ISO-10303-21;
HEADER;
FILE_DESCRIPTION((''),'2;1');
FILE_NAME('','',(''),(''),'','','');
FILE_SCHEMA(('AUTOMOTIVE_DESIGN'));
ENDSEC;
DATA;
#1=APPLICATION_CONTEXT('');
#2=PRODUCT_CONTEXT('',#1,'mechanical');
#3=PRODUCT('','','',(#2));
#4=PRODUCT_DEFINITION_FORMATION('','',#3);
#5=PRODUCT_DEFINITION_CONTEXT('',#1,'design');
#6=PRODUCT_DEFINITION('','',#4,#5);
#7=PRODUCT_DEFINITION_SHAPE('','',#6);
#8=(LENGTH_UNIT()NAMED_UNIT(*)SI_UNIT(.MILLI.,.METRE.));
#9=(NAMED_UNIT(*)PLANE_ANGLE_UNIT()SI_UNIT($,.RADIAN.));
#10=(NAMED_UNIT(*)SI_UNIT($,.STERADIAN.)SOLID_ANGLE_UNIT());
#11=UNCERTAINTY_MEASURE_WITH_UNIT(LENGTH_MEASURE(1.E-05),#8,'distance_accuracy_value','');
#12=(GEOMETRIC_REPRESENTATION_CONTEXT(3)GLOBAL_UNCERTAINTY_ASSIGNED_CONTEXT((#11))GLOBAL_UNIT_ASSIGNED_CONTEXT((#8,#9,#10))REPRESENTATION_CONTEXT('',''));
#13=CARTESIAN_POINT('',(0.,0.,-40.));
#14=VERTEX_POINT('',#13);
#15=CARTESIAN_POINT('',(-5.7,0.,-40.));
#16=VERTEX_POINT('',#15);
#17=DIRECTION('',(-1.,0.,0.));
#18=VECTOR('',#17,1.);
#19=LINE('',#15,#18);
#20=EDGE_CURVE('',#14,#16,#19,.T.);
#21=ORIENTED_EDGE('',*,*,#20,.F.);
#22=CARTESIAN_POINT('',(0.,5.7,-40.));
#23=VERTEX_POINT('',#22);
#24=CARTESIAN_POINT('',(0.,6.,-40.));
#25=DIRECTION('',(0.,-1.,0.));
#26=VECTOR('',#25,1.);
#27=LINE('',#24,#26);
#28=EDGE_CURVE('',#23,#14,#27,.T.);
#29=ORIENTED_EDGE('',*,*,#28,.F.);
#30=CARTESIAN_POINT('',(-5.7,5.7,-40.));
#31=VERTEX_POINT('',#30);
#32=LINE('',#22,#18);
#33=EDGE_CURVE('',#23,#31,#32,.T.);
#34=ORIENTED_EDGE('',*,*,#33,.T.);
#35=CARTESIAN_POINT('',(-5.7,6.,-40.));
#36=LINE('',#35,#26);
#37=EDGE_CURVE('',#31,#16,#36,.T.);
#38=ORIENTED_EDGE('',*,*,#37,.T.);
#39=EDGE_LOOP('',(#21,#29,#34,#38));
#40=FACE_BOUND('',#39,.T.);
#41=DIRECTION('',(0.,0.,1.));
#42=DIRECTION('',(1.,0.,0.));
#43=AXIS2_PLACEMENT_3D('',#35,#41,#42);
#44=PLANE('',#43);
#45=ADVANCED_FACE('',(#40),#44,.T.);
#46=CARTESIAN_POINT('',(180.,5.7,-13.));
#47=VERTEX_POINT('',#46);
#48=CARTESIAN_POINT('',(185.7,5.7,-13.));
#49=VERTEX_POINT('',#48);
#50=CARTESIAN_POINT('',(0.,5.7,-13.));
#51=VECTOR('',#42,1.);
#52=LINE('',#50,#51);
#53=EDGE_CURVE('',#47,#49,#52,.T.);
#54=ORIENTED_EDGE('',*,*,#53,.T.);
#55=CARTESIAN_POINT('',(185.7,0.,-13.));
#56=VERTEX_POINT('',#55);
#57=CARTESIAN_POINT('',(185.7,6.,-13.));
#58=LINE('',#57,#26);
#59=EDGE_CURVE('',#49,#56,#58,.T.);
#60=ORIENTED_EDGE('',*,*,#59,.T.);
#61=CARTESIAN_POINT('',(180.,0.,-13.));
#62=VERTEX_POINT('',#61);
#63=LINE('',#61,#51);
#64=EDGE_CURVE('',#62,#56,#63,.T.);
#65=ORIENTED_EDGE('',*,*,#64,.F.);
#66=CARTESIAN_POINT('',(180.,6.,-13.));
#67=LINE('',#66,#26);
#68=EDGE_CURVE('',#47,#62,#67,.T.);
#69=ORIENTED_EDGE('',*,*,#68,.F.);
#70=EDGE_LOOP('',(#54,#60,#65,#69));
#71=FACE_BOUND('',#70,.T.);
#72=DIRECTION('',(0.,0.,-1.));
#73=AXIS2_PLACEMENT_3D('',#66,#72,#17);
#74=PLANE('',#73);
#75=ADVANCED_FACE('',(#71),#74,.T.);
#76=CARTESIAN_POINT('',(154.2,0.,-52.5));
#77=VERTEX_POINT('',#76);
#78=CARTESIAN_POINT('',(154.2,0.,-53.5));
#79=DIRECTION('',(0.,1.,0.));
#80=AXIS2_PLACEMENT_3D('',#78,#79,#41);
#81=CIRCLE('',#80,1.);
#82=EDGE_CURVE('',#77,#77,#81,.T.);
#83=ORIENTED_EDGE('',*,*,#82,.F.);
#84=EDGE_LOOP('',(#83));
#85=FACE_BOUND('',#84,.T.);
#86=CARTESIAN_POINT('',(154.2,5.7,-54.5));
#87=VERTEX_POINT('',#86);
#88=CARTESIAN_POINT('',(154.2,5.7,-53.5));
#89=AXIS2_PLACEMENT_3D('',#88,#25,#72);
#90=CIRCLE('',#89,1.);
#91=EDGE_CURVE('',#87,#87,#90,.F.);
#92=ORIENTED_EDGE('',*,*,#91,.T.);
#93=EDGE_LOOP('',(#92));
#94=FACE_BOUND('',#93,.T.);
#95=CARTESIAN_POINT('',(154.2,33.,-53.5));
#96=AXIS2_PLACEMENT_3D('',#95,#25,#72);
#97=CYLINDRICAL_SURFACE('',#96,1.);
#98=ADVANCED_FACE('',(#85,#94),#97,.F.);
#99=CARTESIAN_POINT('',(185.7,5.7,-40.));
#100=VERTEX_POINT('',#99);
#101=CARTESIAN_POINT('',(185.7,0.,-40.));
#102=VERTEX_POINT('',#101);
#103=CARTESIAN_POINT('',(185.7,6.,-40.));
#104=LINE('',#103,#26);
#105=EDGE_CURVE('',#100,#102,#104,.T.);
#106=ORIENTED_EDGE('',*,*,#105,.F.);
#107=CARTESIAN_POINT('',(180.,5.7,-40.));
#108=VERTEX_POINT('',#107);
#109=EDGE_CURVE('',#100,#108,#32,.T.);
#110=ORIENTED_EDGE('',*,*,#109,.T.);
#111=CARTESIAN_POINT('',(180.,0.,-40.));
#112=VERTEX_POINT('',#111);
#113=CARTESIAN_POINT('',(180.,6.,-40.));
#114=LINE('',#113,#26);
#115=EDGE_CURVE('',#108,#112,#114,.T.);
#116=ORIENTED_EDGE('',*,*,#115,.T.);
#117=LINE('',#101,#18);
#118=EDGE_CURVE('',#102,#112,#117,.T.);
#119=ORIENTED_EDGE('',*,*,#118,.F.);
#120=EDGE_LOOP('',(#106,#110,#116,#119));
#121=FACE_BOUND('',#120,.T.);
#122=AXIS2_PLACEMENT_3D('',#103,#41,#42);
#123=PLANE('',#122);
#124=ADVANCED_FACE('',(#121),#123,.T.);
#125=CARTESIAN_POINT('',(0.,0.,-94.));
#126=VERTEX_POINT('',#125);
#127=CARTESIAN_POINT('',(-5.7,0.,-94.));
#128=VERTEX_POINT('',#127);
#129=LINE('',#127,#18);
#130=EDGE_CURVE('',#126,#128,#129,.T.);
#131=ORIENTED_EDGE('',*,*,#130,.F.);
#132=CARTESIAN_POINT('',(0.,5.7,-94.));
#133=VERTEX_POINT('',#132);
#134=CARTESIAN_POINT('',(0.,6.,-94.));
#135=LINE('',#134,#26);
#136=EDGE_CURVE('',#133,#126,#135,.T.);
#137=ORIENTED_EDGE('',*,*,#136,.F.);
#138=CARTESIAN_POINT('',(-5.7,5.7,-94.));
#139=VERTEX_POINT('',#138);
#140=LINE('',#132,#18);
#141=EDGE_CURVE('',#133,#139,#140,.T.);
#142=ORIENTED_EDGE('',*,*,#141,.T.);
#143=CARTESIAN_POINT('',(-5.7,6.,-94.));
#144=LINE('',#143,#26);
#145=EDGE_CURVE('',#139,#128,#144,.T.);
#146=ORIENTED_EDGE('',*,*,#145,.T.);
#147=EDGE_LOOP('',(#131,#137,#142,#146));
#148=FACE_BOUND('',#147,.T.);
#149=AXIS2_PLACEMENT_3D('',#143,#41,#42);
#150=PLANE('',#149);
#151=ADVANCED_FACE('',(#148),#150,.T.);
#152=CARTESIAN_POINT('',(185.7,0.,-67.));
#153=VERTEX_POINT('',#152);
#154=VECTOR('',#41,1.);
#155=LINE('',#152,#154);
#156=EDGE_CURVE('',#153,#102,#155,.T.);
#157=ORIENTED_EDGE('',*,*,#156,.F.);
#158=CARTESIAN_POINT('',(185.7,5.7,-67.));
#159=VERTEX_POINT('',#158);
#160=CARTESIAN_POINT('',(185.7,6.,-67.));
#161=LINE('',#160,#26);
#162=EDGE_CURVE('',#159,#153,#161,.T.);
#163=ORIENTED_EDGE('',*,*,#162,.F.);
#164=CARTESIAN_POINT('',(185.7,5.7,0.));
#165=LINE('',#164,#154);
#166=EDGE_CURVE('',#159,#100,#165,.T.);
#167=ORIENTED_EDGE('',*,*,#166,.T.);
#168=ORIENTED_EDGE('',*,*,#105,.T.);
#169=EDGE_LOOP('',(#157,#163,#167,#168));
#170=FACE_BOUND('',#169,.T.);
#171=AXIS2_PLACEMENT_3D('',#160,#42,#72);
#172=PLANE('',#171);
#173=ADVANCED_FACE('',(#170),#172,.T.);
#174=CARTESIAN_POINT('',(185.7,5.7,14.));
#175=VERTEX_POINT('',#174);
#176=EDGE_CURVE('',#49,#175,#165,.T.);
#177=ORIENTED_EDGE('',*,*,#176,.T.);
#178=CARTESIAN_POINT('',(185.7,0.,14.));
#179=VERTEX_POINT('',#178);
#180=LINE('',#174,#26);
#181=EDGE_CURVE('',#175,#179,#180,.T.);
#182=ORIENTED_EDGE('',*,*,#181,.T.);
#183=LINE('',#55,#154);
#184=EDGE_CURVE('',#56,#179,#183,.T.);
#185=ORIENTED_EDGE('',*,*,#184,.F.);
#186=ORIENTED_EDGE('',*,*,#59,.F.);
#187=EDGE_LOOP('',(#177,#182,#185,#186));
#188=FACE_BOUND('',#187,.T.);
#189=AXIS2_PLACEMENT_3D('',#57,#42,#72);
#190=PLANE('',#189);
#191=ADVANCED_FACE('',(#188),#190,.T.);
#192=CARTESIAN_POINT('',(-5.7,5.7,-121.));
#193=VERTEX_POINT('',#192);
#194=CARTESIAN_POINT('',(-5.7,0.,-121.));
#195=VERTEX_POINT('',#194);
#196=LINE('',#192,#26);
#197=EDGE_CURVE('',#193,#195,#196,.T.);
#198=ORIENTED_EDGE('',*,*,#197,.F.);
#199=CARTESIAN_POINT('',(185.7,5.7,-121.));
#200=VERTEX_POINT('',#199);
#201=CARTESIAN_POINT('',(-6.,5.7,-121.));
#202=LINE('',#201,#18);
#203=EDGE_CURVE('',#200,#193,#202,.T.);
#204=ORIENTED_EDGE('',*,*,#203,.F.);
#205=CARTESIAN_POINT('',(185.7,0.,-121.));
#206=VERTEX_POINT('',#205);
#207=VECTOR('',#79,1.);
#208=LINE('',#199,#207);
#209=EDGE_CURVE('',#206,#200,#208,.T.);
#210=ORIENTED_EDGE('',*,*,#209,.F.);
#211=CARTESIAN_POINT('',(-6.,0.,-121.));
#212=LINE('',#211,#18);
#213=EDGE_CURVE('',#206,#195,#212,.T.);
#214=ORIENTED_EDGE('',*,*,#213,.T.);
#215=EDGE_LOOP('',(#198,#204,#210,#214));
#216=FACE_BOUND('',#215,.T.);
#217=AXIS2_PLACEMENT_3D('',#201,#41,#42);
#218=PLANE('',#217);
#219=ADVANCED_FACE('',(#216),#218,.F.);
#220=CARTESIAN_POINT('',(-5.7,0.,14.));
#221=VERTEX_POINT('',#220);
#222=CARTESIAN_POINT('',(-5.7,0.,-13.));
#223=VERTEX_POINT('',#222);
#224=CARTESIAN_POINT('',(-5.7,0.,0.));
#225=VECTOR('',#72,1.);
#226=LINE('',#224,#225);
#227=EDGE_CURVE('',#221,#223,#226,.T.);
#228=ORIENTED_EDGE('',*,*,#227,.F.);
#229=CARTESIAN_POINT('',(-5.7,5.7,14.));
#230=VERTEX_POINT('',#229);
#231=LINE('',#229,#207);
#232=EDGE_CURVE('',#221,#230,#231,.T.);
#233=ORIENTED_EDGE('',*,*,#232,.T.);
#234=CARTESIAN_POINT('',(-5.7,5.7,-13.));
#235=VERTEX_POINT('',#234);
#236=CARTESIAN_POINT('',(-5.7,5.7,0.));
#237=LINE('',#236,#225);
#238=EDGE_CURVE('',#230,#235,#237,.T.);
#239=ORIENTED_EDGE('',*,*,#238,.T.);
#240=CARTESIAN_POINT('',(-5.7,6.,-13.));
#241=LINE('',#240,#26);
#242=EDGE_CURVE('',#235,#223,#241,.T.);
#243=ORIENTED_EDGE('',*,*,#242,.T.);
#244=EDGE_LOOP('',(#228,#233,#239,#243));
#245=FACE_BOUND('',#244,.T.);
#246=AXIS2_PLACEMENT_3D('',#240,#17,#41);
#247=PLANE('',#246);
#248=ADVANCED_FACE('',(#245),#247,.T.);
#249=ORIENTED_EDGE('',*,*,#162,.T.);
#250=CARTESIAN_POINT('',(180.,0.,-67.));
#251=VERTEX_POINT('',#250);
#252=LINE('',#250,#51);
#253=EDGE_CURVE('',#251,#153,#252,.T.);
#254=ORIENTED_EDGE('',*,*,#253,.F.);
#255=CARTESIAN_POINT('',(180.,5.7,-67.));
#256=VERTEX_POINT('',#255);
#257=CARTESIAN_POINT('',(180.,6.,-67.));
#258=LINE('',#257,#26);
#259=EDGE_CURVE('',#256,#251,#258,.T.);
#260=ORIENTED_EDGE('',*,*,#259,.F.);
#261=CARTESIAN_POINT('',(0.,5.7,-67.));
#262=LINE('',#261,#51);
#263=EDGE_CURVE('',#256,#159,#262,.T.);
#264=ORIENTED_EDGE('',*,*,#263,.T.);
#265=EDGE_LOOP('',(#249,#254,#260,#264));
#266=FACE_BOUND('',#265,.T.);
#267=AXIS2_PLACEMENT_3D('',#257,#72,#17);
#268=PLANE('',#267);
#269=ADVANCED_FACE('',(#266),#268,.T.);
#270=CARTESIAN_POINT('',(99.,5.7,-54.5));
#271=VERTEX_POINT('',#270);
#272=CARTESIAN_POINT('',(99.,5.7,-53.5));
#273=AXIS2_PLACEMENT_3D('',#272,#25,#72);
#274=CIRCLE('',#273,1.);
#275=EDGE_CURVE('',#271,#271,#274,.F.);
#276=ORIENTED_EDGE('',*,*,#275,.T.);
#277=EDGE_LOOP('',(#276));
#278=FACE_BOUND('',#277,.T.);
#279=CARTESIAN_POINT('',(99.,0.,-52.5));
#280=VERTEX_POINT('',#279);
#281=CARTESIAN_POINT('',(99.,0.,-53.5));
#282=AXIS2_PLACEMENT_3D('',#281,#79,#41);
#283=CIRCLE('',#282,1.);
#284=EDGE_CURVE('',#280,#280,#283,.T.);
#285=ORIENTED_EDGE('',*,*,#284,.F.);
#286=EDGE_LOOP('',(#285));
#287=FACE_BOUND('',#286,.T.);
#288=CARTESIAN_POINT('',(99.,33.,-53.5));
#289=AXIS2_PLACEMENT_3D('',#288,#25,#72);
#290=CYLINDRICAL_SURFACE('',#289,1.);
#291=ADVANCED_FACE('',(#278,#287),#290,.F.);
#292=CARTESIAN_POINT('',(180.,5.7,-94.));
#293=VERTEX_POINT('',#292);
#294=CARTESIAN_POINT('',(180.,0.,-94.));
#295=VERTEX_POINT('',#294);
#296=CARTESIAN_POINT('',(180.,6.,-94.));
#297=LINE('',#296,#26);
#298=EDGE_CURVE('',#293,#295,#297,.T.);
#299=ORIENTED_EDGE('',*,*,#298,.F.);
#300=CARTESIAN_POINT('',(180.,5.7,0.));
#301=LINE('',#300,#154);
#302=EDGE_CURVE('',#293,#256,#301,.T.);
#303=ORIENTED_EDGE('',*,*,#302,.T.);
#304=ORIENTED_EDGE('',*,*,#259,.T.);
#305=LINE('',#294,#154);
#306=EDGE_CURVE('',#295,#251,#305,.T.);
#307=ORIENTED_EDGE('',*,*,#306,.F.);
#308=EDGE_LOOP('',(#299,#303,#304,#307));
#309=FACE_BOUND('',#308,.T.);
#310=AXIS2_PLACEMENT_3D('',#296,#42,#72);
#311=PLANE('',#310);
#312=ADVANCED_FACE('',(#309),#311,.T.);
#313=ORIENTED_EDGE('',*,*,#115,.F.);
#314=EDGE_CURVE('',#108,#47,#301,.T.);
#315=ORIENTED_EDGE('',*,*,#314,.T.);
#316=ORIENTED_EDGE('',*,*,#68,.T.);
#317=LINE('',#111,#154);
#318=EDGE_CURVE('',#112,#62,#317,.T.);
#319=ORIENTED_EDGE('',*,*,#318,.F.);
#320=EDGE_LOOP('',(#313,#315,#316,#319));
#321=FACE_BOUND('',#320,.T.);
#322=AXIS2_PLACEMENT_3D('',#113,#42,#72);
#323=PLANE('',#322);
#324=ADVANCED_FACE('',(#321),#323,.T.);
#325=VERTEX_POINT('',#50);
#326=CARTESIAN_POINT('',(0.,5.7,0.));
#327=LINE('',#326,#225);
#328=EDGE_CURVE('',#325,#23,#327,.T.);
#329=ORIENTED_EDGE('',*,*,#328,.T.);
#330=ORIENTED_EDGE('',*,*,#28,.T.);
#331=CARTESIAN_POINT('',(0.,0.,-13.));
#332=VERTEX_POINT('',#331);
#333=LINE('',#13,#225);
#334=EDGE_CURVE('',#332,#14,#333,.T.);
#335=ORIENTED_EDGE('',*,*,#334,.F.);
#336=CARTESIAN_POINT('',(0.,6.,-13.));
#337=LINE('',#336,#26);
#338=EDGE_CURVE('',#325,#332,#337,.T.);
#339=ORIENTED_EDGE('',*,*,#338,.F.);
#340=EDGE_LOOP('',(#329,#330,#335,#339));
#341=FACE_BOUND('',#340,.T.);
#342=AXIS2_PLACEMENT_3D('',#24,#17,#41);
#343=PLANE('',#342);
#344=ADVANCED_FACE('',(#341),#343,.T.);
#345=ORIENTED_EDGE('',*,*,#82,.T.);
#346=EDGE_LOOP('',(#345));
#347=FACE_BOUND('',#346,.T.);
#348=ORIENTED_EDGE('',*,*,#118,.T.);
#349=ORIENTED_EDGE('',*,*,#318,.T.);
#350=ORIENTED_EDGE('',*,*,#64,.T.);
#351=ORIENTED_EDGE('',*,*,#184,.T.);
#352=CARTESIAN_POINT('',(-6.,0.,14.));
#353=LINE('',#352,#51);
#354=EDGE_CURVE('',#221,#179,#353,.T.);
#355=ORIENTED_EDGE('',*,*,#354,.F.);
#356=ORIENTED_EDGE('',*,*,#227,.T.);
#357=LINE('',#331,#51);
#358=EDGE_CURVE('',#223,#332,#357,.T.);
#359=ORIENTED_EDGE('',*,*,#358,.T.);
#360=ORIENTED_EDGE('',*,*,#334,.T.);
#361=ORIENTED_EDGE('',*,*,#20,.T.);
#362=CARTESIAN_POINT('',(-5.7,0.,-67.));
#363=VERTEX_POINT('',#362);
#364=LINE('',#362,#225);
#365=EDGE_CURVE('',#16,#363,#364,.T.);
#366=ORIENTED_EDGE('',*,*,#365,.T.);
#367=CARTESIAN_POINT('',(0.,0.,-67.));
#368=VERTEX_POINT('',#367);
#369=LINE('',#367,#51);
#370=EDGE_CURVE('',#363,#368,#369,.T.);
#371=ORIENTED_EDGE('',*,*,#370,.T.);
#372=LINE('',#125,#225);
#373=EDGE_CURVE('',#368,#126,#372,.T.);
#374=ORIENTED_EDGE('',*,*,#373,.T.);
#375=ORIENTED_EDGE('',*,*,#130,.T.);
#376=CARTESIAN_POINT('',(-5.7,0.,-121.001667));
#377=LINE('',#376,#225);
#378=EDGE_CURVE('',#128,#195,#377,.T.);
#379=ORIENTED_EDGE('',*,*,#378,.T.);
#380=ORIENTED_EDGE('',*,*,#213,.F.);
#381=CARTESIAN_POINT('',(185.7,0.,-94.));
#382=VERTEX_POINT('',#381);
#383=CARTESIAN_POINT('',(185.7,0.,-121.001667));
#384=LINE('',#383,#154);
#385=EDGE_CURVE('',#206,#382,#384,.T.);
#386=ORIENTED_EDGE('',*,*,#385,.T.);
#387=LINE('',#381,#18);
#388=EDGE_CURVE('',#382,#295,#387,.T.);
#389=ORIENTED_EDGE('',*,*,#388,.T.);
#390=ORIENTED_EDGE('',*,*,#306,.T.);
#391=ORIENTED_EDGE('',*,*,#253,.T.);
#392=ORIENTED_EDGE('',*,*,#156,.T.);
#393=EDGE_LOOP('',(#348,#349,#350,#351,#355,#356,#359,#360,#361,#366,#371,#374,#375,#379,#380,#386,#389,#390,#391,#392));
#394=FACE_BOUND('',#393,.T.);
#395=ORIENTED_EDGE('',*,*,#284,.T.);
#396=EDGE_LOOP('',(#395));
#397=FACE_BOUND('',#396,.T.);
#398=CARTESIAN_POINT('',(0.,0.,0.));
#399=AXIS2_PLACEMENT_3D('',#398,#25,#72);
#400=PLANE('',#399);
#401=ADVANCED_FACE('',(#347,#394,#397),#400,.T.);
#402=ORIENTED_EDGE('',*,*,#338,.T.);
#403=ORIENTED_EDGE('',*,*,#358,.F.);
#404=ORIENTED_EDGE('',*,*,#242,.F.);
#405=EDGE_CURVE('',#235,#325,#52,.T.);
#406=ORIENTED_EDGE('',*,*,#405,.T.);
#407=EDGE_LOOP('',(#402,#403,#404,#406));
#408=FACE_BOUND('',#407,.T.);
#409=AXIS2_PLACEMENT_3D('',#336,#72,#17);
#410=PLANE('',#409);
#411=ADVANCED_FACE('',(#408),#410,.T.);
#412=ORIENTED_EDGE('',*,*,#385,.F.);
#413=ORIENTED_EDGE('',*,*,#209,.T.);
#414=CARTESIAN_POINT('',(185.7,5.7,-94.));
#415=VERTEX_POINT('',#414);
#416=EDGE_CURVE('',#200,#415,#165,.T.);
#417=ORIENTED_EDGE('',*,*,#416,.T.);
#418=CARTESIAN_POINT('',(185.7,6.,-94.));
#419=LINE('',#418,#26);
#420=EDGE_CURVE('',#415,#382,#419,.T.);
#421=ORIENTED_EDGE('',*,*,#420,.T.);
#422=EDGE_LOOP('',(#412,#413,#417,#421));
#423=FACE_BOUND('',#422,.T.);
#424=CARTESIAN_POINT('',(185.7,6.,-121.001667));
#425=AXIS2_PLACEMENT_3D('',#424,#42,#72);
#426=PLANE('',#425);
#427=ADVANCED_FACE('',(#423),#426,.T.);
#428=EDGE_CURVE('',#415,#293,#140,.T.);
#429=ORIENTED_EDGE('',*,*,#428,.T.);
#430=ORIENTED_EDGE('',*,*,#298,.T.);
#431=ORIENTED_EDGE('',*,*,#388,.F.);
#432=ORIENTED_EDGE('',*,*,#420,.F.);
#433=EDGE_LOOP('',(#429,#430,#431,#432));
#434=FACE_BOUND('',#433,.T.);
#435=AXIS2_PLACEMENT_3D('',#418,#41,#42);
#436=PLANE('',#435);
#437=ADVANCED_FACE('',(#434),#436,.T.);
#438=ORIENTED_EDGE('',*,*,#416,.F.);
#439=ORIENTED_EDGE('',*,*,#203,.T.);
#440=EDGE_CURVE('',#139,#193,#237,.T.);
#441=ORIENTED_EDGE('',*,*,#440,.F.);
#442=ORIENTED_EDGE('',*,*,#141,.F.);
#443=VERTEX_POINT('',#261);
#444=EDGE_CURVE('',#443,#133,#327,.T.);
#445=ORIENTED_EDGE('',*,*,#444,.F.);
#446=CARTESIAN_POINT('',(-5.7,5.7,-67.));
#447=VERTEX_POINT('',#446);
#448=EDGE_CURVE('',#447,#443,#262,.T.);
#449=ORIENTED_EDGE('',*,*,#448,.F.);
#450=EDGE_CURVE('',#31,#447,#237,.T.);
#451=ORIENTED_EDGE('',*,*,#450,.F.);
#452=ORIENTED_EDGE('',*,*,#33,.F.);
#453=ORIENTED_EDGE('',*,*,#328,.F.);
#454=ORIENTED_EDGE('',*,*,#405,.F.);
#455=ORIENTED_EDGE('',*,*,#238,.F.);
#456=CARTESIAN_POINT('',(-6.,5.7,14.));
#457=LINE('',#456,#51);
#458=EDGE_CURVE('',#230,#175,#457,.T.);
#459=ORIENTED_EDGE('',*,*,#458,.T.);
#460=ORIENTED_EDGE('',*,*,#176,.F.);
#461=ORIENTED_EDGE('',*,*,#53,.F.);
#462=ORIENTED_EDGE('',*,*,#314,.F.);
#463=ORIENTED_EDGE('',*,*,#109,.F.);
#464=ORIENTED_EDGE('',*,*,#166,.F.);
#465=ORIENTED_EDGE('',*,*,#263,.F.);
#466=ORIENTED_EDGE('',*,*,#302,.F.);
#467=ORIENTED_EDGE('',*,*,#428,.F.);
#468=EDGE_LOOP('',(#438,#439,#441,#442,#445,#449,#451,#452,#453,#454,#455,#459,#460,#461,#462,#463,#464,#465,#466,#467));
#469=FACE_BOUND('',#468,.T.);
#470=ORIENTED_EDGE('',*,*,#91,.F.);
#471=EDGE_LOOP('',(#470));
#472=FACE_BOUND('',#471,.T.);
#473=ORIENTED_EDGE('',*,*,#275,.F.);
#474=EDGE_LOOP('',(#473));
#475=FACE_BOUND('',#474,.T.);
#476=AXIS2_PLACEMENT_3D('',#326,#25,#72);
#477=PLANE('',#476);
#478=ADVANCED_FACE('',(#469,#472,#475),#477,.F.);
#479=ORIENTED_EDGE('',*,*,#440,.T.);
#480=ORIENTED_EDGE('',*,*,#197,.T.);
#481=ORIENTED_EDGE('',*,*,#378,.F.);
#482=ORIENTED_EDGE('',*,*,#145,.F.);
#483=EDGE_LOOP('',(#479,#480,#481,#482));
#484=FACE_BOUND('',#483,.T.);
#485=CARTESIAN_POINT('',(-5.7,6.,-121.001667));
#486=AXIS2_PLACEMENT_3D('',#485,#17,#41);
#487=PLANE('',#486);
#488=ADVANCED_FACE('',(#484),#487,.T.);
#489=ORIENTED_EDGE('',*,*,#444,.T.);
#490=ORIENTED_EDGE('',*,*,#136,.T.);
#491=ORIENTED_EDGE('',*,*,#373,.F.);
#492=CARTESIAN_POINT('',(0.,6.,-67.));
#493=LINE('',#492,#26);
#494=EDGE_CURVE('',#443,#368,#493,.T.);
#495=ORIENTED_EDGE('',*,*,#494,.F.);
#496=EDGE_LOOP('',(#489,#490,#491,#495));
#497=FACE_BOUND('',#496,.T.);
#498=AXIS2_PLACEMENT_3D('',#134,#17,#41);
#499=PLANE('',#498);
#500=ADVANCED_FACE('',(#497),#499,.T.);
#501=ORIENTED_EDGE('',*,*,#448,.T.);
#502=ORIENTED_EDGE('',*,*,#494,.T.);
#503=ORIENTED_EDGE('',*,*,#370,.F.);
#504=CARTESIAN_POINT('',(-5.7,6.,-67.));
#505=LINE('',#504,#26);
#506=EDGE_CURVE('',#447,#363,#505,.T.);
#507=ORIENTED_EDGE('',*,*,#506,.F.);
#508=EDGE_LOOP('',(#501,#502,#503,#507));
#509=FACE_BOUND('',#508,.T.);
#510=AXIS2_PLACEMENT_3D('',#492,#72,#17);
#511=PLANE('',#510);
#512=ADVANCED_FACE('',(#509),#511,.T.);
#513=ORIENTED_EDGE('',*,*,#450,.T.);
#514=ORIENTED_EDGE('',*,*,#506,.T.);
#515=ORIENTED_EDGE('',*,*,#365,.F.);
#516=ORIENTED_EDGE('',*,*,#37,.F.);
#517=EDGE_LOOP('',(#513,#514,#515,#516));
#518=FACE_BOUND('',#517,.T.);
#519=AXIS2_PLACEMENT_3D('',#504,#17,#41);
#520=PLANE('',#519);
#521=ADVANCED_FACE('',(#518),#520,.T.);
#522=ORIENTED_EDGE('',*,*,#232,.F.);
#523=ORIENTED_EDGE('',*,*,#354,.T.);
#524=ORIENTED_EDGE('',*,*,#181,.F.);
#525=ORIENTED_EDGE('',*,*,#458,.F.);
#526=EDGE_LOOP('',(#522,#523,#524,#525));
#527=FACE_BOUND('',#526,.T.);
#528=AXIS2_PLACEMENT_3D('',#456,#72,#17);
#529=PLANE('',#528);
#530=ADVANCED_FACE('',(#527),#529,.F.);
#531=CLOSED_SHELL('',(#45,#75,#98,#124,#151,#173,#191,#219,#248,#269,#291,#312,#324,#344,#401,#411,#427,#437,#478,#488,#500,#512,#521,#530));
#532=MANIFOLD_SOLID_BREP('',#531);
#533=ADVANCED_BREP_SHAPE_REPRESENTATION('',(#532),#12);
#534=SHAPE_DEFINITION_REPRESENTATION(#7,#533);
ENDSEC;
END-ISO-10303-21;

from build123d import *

# Parameters (mm, degrees)
SKETCH3_W           = 192
SKETCH3_H           = 135
BOSS_EXTRUDE1_DEPTH = 5.7
CUT_EXTRUDE1_DEPTH  = 6
SKETCH11_R          = 1
CUT_EXTRUDE2_DEPTH  = 33


with BuildPart() as part:
    # Sketch3 → Boss-Extrude1 (new body)
    with BuildSketch(Plane(origin=(0, 0, 0), x_dir=(1, 0, 0), z_dir=(0, 1, 0))):
        with Locations((90, 53.5)):
            Rectangle(SKETCH3_W, SKETCH3_H)
    extrude(amount=BOSS_EXTRUDE1_DEPTH)

    # Sketch4 → Cut-Extrude1 (cut)
    with BuildSketch(Plane(origin=(0, 0, 0), x_dir=(1, 0, 0), z_dir=(0, 1, 0))):
        Polygon((-5.7, 121.001666615), (-5.7, 94), (0, 94), (0, 67), (-5.7, 67), (-5.7, 40), (0, 40), (0, 13), (-5.7, 13), (-5.7, -17), (-9.7, -17), (-9.7, 121.001666615), align=None)
        Polygon((189.7, 121.001666615), (185.7, 121.001666615), (185.7, 94), (180, 94), (180, 67), (185.7, 67), (185.7, 40), (180, 40), (180, 13), (185.7, 13), (185.7, -17), (189.7, -17), align=None)
    extrude(amount=CUT_EXTRUDE1_DEPTH, mode=Mode.SUBTRACT)

    # Sketch11 → Cut-Extrude2 (cut)
    with BuildSketch(Plane(origin=(0, 0, 0), x_dir=(1, 0, 0), z_dir=(0, 1, 0))):
        with Locations((99, 53.5)):
            Circle(SKETCH11_R)
        with Locations((154.2, 53.5)):
            Circle(SKETCH11_R)
    extrude(amount=CUT_EXTRUDE2_DEPTH, mode=Mode.SUBTRACT)


solid = part.part
